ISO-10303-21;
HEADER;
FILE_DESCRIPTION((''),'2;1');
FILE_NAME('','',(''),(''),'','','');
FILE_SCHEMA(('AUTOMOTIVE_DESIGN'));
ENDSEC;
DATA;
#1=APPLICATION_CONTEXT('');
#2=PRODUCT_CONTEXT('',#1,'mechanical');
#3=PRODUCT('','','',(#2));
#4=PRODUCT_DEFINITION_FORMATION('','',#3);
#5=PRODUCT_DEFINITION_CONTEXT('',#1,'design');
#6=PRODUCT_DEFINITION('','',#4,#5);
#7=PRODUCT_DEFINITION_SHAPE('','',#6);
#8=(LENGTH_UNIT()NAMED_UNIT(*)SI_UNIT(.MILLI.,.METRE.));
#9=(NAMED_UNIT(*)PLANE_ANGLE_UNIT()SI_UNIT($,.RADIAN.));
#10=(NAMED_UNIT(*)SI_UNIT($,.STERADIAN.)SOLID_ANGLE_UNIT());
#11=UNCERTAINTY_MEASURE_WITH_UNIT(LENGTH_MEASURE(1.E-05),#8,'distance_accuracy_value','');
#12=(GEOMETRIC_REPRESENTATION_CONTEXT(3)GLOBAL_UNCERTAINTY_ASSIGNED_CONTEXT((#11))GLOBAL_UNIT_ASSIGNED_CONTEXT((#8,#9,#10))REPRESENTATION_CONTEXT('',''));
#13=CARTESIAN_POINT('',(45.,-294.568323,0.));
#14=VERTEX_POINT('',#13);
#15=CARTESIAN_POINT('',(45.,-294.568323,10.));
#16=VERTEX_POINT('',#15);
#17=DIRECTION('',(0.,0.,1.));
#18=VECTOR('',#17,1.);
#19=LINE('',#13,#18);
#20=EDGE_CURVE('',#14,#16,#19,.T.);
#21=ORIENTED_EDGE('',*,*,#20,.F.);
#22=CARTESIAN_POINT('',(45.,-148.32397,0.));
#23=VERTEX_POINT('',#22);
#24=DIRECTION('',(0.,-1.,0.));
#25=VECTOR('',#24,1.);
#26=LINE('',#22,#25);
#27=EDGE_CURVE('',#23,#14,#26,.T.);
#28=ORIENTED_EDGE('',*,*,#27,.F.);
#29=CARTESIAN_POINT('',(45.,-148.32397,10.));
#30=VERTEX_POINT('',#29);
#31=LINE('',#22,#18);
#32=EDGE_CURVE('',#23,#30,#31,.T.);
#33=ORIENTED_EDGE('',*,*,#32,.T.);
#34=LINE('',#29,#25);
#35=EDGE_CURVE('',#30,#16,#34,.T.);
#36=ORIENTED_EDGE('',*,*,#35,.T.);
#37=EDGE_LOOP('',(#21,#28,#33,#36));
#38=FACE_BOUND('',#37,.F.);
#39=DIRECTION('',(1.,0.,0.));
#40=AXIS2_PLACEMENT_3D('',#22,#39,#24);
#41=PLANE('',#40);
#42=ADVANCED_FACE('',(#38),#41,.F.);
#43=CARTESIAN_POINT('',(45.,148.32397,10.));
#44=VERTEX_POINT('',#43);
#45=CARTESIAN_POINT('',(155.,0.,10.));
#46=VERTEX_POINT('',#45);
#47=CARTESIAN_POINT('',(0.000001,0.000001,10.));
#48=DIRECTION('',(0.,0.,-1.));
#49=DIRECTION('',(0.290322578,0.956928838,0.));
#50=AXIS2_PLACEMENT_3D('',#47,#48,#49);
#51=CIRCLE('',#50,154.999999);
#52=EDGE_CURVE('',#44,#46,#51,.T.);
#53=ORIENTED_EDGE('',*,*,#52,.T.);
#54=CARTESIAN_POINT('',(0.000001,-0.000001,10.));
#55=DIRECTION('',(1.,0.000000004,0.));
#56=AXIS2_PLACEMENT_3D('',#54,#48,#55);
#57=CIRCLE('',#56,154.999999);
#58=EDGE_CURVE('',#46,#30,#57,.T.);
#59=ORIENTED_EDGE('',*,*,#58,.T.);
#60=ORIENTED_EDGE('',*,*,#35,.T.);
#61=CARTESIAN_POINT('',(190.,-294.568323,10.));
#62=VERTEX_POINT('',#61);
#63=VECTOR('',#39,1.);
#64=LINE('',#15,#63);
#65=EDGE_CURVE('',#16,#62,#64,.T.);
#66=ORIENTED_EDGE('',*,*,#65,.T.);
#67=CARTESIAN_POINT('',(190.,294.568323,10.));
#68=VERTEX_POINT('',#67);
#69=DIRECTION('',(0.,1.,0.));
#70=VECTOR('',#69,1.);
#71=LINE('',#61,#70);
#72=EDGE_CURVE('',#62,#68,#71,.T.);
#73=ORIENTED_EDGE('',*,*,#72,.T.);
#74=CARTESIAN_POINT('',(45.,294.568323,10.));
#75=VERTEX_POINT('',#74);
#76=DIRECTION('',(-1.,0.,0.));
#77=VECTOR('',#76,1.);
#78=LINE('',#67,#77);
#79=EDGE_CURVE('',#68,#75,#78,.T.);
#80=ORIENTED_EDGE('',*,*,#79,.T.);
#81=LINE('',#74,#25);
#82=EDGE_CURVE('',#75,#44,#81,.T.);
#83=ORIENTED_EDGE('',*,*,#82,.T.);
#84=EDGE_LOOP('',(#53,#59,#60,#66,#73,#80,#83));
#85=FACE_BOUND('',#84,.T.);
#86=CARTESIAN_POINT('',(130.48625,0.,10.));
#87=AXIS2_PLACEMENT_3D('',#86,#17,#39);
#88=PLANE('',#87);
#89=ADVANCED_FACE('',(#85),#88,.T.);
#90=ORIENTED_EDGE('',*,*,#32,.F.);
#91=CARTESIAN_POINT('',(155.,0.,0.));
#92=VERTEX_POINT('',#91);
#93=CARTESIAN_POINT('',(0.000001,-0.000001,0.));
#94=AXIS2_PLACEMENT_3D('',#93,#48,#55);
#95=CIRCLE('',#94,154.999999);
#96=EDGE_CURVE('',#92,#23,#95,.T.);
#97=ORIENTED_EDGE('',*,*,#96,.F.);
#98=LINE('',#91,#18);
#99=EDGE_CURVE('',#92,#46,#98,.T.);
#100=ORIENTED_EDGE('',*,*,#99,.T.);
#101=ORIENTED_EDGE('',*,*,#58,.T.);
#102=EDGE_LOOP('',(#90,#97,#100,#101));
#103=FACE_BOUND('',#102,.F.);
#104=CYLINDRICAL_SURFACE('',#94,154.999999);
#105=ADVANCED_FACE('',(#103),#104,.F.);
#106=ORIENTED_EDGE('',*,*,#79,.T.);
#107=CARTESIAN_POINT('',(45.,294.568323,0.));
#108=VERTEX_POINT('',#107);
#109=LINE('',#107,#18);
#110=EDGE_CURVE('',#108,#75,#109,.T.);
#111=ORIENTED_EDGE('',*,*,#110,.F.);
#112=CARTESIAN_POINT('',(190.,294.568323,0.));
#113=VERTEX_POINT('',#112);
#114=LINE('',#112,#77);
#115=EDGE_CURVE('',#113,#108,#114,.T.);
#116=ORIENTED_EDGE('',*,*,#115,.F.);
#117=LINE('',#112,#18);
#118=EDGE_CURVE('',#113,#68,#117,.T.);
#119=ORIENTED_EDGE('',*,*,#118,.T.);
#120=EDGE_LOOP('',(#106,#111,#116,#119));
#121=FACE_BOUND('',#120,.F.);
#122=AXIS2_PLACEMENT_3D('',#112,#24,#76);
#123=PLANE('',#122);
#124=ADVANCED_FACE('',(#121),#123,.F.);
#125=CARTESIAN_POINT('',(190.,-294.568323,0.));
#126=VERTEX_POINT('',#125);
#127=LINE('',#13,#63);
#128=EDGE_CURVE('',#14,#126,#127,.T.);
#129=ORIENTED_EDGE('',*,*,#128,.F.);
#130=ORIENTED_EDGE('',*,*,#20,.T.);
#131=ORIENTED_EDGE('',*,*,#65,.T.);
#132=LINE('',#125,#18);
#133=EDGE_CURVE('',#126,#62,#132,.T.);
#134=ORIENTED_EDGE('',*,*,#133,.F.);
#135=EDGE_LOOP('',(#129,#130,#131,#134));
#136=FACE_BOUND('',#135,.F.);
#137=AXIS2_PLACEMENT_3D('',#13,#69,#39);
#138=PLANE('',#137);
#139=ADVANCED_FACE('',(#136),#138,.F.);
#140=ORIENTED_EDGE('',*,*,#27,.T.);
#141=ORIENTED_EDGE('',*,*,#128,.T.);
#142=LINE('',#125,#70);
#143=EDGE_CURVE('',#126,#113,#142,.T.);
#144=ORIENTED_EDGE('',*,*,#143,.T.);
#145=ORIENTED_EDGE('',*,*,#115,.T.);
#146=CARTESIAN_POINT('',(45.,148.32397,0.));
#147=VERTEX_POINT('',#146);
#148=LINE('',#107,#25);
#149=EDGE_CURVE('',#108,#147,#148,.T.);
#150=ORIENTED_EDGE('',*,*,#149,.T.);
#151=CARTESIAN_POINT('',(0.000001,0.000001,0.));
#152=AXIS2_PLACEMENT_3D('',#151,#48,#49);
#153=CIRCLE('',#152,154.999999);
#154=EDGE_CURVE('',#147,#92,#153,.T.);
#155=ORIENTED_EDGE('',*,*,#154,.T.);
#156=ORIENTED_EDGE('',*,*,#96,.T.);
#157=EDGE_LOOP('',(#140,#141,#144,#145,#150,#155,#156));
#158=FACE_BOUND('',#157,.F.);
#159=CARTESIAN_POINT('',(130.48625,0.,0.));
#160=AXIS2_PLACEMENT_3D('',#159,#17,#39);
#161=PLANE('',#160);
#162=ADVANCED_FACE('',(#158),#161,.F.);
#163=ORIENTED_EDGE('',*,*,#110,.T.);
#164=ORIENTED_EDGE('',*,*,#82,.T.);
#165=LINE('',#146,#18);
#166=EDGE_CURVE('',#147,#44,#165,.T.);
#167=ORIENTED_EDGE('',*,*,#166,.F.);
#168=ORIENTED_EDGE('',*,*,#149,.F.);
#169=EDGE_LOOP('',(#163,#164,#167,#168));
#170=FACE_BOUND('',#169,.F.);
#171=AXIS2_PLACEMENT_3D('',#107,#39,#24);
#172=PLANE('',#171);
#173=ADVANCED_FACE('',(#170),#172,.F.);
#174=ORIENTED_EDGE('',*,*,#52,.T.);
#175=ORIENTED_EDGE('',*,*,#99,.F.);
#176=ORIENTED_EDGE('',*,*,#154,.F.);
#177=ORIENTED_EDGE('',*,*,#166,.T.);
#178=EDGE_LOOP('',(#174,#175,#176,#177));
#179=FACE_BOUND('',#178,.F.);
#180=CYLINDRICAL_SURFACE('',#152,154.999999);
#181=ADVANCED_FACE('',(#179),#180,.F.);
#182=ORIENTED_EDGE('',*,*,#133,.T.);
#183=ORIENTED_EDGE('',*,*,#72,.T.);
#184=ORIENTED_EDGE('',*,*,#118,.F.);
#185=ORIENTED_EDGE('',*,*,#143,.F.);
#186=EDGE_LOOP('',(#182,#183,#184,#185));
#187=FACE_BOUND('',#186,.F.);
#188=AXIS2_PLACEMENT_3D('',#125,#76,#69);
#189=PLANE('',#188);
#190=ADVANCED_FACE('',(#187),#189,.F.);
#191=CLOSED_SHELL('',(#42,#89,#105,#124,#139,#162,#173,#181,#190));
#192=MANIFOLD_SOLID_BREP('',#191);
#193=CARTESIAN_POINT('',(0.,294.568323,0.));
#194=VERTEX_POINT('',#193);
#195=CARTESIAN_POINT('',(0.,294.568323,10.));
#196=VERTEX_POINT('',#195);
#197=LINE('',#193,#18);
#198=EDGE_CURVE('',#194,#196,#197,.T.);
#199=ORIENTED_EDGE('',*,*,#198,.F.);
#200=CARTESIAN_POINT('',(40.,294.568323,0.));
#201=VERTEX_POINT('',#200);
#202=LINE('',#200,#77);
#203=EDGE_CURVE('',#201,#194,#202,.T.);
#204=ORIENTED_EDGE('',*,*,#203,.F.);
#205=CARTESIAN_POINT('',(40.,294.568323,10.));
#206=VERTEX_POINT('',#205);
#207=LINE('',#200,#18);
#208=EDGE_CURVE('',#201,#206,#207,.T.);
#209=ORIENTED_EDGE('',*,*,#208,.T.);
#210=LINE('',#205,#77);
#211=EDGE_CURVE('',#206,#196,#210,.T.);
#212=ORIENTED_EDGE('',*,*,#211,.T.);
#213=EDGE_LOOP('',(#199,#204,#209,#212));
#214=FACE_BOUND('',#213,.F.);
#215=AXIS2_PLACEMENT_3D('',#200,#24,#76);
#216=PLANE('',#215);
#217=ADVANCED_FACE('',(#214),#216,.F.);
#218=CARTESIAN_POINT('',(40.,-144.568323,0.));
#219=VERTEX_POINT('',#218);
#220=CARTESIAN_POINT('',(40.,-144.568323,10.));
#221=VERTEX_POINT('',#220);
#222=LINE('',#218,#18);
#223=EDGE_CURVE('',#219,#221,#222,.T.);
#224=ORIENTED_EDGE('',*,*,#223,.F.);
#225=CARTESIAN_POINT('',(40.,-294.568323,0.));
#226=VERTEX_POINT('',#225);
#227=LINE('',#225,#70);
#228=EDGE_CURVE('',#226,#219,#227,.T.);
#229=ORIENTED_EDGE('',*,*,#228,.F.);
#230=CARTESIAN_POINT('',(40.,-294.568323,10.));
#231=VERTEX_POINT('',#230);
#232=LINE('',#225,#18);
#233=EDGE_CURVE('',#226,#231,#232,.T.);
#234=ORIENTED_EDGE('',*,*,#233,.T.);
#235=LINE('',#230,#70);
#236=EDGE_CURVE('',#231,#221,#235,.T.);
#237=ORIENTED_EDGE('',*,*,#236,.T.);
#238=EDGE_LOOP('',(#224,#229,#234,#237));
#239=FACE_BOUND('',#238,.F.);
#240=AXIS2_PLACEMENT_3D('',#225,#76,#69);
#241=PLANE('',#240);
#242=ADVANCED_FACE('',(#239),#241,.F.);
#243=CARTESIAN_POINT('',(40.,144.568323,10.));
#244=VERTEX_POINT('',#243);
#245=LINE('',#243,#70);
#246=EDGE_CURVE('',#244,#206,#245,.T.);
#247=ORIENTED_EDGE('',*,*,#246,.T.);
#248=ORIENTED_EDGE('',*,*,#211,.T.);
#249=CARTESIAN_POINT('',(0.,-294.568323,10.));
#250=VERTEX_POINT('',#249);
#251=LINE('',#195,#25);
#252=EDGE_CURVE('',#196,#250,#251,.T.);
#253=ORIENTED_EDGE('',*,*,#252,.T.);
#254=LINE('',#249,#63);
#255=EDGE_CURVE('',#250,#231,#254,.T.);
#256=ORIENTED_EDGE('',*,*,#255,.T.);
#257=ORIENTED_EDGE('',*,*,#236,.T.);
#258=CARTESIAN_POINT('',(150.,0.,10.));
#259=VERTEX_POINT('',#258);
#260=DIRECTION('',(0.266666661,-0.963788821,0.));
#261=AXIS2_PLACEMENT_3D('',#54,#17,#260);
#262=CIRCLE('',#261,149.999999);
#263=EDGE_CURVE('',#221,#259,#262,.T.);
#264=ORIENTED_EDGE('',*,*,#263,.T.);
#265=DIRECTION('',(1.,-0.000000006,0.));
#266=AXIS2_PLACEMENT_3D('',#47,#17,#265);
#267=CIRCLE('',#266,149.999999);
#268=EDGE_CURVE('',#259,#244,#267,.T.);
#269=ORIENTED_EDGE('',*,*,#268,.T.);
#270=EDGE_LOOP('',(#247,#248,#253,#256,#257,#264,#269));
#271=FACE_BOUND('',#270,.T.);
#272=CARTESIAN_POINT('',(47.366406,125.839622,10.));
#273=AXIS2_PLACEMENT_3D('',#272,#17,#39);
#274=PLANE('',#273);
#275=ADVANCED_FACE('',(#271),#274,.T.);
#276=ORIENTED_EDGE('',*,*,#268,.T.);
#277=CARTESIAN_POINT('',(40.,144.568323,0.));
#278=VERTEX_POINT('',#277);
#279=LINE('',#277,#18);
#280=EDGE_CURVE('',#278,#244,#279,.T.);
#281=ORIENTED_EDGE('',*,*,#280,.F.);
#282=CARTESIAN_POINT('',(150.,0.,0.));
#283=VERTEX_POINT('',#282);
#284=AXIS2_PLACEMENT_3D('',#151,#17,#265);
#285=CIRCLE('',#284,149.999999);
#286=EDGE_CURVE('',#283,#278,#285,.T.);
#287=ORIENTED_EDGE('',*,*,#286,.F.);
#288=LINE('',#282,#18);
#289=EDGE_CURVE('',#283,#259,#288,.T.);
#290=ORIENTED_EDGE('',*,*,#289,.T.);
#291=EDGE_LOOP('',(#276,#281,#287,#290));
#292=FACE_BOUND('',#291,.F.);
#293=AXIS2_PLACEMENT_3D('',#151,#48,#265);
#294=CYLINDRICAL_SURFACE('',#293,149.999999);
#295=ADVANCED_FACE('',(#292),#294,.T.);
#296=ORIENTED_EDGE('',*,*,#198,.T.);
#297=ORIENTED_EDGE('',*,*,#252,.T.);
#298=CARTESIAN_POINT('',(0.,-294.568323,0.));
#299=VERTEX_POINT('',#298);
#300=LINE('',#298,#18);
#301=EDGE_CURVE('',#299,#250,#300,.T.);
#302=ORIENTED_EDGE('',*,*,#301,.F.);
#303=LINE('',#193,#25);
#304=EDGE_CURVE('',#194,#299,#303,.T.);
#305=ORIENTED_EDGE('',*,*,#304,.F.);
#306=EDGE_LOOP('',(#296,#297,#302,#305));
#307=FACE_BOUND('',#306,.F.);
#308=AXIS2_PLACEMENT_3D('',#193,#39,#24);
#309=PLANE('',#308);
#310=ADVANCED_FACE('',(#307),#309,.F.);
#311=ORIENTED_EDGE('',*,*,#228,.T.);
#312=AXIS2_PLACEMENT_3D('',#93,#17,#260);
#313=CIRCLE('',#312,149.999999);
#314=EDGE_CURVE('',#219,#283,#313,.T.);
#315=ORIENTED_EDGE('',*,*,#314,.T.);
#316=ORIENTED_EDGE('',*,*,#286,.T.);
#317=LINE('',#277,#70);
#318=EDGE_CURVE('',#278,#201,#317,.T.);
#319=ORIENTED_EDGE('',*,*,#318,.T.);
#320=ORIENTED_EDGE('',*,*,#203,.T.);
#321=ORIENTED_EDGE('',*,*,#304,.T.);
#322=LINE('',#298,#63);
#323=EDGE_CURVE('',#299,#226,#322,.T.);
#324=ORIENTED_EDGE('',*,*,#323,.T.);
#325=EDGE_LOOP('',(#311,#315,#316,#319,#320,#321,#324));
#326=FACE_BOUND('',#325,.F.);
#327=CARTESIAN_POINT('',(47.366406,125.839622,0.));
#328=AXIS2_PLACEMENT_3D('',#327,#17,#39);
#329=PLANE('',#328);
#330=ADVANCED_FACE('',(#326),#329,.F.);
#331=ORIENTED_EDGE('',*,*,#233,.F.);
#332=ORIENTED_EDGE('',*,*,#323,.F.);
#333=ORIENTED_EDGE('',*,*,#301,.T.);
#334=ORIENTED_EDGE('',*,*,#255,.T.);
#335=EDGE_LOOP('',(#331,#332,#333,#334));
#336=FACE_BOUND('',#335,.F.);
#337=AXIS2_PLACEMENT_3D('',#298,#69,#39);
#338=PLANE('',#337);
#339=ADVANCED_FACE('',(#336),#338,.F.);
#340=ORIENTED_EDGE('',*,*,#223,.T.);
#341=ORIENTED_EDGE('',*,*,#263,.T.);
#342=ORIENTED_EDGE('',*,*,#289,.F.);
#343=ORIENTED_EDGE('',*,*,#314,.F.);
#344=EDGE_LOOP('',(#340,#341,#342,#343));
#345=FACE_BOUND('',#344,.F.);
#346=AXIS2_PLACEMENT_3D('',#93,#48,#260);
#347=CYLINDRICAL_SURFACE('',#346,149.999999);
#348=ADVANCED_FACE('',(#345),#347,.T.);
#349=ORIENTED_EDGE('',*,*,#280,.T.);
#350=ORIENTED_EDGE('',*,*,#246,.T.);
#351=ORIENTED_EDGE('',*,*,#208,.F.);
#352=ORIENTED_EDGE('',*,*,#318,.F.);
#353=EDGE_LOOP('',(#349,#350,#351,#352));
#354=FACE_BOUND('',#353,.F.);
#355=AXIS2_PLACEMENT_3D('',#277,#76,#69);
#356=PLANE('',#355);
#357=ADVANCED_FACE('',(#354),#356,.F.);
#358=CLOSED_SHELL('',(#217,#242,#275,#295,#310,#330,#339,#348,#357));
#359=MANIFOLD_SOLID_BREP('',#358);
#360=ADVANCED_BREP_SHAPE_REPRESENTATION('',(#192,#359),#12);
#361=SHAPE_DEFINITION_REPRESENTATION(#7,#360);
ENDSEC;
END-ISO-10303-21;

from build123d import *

# Parameters (mm, degrees)
F1_DEPTH = 10


with BuildPart() as f1:
    # F0 (on Top) → F1 (new body)
    with BuildSketch(Plane.XY):
        with BuildLine():
            Line((0, 294.568323), (0, 0))
            Line((0, 0), (40, 0))
            Line((40, 0), (150, 0))
            ThreePointArc((150, 0), (119.373364, 90.829511), (40, 144.568323))
            Line((40, 144.568323), (40, 294.568323))
            Line((40, 294.568323), (0, 294.568323))
        make_face()
        with BuildLine():
            ThreePointArc((45, 148.32397), (124.498996, 92.330927), (155, 0))
            ThreePointArc((155, 0), (124.498996, -92.330927), (45, -148.32397))
            Line((45, -148.32397), (45, -294.568323))
            Line((45, -294.568323), (190, -294.568323))
            Line((190, -294.568323), (190, 294.568323))
            Line((190, 294.568323), (45, 294.568323))
            Line((45, 294.568323), (45, 148.32397))
        make_face()
        with BuildLine():
            Line((40, 0), (0, 0))
            Line((0, 0), (0, -294.568323))
            Line((0, -294.568323), (40, -294.568323))
            Line((40, -294.568323), (40, -144.568323))
            ThreePointArc((40, -144.568323), (119.373364, -90.829511), (150, 0))
            Line((150, 0), (40, 0))
        make_face()
    extrude(amount=F1_DEPTH)


solid = f1.part
